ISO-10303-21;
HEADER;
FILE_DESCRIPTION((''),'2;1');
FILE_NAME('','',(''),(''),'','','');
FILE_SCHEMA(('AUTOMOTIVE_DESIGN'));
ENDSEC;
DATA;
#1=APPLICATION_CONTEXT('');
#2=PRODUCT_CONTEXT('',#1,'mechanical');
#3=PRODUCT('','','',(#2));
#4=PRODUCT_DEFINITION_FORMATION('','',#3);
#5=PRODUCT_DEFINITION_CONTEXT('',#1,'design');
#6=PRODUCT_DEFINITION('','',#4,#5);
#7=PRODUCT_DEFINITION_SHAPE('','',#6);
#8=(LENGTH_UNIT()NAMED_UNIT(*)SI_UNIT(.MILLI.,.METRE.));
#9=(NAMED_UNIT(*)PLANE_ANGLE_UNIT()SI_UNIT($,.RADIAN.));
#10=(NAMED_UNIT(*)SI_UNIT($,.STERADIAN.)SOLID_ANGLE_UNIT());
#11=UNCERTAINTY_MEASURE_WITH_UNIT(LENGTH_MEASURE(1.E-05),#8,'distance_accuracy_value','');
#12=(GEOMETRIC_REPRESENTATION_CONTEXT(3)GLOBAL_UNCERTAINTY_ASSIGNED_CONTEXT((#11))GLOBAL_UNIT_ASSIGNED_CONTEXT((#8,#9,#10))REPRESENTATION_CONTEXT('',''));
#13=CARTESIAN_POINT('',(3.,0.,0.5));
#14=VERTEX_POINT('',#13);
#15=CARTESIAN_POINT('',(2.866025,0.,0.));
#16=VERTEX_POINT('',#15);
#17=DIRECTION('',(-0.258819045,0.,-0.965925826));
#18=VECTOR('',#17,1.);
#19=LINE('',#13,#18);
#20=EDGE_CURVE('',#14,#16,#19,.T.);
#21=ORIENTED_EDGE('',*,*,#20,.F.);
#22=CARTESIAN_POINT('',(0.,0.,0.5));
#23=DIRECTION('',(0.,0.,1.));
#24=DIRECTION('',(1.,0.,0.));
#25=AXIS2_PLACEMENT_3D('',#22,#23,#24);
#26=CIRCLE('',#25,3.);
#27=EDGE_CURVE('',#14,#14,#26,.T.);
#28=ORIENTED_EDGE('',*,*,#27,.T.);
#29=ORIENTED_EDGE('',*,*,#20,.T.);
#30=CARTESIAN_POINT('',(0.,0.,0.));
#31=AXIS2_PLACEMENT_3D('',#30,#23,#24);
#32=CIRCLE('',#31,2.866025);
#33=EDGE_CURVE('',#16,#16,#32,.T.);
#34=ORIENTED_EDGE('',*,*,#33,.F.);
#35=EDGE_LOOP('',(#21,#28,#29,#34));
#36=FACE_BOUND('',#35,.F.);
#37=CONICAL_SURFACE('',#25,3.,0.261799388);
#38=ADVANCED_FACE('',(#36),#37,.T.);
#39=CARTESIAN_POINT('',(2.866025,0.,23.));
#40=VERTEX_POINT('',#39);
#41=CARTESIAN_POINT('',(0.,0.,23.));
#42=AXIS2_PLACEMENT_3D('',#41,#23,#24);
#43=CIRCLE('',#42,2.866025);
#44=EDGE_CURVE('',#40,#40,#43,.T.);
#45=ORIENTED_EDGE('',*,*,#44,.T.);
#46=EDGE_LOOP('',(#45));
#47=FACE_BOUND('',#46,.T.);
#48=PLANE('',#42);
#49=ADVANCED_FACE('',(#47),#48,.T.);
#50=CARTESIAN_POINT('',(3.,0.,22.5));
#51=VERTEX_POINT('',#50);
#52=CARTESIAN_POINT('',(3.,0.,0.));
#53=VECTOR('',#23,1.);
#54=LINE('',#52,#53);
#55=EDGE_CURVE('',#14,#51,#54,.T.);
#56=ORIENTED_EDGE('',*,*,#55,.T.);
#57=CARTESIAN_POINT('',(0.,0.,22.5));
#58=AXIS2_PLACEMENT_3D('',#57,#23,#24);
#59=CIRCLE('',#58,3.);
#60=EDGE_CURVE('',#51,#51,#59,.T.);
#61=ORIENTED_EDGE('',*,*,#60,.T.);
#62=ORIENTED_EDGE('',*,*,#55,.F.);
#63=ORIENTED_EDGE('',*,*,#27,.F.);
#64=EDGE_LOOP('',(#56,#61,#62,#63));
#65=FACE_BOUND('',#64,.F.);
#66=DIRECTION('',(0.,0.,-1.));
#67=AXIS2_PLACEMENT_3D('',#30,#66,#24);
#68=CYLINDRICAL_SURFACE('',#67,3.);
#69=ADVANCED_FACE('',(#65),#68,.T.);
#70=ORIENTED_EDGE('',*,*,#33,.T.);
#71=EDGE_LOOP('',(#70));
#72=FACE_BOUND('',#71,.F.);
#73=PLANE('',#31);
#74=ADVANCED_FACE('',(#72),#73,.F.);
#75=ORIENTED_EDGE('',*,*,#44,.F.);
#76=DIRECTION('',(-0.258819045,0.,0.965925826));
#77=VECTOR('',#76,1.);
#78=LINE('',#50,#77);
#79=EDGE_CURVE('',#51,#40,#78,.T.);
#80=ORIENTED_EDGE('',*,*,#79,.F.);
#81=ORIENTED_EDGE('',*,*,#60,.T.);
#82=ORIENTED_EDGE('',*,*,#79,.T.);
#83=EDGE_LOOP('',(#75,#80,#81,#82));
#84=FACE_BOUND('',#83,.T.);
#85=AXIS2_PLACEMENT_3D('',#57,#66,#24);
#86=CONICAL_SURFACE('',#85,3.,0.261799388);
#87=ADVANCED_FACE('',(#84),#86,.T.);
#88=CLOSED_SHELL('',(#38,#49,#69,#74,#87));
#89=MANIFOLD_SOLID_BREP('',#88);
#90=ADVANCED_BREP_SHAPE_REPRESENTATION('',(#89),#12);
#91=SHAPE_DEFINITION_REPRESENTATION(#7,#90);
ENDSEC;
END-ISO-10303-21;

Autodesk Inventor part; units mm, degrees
ref_plane "YZ Plane" through (0, 0, 0) normal (1, 0, 0) x (0, 1, 0)
ref_plane "XZ Plane" through (0, 0, 0) normal (0, 1, 0) x (-1, 0, 0)
ref_plane "XY Plane" through (0, 0, 0) normal (0, 0, 1) x (1, 0, 0)
sketch "スケッチ1" plane through (0, 0, 0) normal (0, 0, 1) x (1, 0, 0)
  circle A0 centre (0, 0) radius 3
  dimension "d0" = 6
extrude "押し出し1" add sketch "スケッチ1" along normal blind 23
chamfer "面取り1" distance 0.5 angle 15 2 edges at (-3, 0, 0) (-3, 0, 23) measured on face at (2.9612, -0.4812, 15.3333)
properties part number "平行ピンD6L23" material "ステンレス鋼"
